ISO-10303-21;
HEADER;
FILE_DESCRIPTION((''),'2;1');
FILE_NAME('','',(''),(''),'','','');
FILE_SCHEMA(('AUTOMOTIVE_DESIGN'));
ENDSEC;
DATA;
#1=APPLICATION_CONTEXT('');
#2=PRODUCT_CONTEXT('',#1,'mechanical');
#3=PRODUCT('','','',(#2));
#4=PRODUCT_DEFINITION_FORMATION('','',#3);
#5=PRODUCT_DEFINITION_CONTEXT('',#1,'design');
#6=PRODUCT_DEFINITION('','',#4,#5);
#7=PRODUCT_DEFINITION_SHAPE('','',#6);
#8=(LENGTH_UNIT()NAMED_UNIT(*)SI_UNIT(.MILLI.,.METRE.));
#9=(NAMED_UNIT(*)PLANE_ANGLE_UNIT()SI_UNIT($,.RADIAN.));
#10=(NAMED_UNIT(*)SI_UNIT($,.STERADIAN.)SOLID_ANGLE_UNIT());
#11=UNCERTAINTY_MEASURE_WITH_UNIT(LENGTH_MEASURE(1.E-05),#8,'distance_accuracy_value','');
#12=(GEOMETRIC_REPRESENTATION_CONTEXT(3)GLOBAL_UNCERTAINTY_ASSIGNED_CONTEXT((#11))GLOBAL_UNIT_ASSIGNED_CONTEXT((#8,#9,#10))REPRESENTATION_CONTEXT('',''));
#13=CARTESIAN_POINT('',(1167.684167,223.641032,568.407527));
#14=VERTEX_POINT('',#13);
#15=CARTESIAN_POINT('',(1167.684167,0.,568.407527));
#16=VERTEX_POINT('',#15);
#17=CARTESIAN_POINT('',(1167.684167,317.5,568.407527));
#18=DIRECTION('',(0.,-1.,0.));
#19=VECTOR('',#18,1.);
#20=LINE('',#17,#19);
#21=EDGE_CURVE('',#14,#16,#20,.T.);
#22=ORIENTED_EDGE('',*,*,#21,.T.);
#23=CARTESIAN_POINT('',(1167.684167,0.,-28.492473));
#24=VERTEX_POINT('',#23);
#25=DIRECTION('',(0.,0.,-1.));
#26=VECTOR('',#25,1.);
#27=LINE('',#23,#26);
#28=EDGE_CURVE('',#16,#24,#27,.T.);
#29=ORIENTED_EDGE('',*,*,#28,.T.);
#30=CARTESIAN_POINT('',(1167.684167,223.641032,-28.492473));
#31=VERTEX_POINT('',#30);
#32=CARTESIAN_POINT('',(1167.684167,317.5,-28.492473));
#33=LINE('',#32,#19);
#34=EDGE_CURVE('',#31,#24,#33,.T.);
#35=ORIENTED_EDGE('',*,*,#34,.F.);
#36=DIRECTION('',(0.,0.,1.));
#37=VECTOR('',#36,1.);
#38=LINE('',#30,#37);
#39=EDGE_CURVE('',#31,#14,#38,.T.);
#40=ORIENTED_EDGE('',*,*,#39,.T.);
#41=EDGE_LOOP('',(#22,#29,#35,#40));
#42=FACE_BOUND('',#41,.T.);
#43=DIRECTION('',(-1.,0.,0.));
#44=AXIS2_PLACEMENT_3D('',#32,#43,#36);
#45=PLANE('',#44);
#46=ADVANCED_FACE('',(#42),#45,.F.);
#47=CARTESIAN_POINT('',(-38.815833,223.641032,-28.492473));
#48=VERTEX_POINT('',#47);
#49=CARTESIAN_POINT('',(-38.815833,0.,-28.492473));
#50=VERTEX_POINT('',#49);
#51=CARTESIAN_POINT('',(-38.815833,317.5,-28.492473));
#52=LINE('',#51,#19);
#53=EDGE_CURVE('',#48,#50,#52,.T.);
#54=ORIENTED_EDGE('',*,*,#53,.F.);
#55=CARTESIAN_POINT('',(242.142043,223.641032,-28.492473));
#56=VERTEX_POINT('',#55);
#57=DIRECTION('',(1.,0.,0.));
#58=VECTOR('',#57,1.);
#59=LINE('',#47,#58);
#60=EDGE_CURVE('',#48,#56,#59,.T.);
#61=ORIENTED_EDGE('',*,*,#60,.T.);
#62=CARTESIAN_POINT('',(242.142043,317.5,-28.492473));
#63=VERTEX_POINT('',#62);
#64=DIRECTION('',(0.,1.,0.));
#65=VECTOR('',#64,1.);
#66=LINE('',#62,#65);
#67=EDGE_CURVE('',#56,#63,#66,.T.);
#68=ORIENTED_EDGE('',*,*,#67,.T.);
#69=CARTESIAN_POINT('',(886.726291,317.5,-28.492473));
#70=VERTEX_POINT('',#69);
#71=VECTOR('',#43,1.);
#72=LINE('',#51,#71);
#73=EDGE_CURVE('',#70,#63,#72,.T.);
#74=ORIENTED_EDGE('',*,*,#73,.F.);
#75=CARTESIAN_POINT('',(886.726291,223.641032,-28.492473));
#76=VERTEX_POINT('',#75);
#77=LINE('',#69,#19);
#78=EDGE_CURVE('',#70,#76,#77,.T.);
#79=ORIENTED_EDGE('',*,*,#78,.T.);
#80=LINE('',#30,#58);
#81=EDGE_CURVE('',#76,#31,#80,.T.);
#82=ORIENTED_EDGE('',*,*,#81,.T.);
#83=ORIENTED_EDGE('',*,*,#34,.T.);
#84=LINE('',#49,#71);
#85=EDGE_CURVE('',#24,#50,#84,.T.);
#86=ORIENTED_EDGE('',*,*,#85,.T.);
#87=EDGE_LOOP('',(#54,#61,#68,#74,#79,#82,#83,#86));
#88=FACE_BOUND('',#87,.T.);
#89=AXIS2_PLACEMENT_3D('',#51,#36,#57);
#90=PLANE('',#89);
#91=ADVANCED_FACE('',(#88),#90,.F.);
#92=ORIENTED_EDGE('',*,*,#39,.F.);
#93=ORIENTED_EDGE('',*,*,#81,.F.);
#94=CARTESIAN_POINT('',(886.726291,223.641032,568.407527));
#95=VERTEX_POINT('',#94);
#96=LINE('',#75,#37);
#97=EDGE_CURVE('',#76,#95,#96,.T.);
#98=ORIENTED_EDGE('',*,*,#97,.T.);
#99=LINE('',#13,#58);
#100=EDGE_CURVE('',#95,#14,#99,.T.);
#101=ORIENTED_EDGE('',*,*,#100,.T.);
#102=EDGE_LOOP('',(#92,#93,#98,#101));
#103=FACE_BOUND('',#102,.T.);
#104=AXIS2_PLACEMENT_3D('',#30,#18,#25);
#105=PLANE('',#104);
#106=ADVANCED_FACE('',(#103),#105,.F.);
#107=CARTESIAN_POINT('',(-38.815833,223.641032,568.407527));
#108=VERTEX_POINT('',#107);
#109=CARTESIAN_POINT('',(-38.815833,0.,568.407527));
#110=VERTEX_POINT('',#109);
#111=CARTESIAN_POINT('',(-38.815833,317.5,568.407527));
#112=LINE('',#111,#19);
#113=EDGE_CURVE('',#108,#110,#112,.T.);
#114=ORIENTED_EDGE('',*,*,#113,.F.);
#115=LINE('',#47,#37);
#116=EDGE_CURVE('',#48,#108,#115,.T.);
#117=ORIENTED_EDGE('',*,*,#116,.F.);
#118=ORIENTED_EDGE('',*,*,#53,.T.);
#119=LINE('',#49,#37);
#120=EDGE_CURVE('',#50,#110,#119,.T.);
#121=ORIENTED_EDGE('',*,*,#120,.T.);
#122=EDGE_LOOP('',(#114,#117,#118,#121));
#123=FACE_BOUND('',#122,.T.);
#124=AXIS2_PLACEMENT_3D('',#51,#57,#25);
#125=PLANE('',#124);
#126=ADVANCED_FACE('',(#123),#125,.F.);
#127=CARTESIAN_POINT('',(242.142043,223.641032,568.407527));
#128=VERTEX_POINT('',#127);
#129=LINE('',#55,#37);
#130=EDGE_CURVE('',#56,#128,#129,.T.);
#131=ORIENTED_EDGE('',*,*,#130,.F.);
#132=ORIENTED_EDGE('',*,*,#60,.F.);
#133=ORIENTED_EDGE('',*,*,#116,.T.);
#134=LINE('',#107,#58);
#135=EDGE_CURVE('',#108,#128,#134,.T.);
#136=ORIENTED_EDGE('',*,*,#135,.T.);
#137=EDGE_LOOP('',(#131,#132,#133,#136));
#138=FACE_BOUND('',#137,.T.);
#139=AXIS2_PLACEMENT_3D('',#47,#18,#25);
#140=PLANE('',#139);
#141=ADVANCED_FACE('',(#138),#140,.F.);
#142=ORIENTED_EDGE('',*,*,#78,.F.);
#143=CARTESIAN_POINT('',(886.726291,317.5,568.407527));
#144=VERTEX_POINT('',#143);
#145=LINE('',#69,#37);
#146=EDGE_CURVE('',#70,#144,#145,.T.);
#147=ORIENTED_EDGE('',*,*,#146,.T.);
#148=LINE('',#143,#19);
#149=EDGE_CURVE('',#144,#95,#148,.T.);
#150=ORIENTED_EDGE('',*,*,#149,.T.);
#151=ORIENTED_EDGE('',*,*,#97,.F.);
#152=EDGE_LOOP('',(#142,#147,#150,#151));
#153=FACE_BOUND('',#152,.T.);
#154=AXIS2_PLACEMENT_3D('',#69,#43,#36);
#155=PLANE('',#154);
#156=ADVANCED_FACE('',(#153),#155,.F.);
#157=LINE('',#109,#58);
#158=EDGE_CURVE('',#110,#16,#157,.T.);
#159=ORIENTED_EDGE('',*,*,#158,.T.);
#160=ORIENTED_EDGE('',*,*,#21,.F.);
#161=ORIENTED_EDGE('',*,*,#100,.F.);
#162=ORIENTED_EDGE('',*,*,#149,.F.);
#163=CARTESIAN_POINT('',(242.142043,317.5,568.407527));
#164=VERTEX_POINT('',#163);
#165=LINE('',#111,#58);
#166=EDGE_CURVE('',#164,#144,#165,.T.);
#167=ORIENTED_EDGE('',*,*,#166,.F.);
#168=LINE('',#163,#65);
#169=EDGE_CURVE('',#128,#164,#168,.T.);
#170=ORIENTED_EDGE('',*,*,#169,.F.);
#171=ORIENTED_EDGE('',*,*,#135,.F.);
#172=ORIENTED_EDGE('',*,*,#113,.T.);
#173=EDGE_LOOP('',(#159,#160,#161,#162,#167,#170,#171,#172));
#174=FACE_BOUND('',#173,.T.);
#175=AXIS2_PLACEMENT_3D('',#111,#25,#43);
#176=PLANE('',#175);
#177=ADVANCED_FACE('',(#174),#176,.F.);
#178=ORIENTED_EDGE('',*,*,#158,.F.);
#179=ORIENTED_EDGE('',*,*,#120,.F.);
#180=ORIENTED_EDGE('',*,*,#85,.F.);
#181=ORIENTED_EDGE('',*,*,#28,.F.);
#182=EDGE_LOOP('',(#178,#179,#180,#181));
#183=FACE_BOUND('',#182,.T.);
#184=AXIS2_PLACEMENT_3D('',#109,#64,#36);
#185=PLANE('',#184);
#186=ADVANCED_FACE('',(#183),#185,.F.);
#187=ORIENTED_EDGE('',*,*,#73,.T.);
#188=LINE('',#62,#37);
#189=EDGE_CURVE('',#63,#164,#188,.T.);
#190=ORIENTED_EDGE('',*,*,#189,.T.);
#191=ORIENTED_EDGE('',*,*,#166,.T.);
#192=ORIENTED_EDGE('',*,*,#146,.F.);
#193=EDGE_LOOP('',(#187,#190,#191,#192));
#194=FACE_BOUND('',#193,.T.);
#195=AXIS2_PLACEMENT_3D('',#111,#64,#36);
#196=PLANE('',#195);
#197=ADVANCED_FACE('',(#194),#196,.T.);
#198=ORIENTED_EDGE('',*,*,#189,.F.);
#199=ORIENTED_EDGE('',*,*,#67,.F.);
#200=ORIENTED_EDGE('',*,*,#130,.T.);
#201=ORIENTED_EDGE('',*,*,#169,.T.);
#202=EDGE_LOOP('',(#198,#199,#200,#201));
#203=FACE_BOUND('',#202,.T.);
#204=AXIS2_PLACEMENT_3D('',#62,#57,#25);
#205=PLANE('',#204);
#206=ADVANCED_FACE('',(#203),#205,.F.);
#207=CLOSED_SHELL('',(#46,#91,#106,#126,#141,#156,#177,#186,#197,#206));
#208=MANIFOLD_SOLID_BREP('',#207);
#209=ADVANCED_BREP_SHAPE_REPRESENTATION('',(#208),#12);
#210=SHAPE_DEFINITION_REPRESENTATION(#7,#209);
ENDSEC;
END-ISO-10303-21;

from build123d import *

# Parameters (mm, degrees)
SKETCH1_W      = 1206.5
SKETCH1_H      = 596.9
EXTRUDE1_DEPTH = 317.5
SKETCH2_W      = 280.957876244
SKETCH2_H      = 93.858968371
EXTRUDE2_DEPTH = 1350.289506876


with BuildPart() as part:
    # Sketch1 → Extrude1 (new body)
    with BuildSketch(Plane(origin=(0, 0, 0), x_dir=(1, 0, 0), z_dir=(0, 1, 0))):
        with Locations((564.434166787, -269.957526684)):
            Rectangle(SKETCH1_W, SKETCH1_H)
    extrude(amount=EXTRUDE1_DEPTH)

    # Sketch2 → Extrude2 (cut, through all)
    with BuildSketch(Plane.XY.offset(568.407526684)):
        with Locations((1027.205228665, 270.570515815)):
            Rectangle(SKETCH2_W, SKETCH2_H)
        with Locations((101.663104909, 270.570515815)):
            Rectangle(SKETCH2_W, SKETCH2_H)
    extrude(amount=-EXTRUDE2_DEPTH, mode=Mode.SUBTRACT)


solid = part.part
